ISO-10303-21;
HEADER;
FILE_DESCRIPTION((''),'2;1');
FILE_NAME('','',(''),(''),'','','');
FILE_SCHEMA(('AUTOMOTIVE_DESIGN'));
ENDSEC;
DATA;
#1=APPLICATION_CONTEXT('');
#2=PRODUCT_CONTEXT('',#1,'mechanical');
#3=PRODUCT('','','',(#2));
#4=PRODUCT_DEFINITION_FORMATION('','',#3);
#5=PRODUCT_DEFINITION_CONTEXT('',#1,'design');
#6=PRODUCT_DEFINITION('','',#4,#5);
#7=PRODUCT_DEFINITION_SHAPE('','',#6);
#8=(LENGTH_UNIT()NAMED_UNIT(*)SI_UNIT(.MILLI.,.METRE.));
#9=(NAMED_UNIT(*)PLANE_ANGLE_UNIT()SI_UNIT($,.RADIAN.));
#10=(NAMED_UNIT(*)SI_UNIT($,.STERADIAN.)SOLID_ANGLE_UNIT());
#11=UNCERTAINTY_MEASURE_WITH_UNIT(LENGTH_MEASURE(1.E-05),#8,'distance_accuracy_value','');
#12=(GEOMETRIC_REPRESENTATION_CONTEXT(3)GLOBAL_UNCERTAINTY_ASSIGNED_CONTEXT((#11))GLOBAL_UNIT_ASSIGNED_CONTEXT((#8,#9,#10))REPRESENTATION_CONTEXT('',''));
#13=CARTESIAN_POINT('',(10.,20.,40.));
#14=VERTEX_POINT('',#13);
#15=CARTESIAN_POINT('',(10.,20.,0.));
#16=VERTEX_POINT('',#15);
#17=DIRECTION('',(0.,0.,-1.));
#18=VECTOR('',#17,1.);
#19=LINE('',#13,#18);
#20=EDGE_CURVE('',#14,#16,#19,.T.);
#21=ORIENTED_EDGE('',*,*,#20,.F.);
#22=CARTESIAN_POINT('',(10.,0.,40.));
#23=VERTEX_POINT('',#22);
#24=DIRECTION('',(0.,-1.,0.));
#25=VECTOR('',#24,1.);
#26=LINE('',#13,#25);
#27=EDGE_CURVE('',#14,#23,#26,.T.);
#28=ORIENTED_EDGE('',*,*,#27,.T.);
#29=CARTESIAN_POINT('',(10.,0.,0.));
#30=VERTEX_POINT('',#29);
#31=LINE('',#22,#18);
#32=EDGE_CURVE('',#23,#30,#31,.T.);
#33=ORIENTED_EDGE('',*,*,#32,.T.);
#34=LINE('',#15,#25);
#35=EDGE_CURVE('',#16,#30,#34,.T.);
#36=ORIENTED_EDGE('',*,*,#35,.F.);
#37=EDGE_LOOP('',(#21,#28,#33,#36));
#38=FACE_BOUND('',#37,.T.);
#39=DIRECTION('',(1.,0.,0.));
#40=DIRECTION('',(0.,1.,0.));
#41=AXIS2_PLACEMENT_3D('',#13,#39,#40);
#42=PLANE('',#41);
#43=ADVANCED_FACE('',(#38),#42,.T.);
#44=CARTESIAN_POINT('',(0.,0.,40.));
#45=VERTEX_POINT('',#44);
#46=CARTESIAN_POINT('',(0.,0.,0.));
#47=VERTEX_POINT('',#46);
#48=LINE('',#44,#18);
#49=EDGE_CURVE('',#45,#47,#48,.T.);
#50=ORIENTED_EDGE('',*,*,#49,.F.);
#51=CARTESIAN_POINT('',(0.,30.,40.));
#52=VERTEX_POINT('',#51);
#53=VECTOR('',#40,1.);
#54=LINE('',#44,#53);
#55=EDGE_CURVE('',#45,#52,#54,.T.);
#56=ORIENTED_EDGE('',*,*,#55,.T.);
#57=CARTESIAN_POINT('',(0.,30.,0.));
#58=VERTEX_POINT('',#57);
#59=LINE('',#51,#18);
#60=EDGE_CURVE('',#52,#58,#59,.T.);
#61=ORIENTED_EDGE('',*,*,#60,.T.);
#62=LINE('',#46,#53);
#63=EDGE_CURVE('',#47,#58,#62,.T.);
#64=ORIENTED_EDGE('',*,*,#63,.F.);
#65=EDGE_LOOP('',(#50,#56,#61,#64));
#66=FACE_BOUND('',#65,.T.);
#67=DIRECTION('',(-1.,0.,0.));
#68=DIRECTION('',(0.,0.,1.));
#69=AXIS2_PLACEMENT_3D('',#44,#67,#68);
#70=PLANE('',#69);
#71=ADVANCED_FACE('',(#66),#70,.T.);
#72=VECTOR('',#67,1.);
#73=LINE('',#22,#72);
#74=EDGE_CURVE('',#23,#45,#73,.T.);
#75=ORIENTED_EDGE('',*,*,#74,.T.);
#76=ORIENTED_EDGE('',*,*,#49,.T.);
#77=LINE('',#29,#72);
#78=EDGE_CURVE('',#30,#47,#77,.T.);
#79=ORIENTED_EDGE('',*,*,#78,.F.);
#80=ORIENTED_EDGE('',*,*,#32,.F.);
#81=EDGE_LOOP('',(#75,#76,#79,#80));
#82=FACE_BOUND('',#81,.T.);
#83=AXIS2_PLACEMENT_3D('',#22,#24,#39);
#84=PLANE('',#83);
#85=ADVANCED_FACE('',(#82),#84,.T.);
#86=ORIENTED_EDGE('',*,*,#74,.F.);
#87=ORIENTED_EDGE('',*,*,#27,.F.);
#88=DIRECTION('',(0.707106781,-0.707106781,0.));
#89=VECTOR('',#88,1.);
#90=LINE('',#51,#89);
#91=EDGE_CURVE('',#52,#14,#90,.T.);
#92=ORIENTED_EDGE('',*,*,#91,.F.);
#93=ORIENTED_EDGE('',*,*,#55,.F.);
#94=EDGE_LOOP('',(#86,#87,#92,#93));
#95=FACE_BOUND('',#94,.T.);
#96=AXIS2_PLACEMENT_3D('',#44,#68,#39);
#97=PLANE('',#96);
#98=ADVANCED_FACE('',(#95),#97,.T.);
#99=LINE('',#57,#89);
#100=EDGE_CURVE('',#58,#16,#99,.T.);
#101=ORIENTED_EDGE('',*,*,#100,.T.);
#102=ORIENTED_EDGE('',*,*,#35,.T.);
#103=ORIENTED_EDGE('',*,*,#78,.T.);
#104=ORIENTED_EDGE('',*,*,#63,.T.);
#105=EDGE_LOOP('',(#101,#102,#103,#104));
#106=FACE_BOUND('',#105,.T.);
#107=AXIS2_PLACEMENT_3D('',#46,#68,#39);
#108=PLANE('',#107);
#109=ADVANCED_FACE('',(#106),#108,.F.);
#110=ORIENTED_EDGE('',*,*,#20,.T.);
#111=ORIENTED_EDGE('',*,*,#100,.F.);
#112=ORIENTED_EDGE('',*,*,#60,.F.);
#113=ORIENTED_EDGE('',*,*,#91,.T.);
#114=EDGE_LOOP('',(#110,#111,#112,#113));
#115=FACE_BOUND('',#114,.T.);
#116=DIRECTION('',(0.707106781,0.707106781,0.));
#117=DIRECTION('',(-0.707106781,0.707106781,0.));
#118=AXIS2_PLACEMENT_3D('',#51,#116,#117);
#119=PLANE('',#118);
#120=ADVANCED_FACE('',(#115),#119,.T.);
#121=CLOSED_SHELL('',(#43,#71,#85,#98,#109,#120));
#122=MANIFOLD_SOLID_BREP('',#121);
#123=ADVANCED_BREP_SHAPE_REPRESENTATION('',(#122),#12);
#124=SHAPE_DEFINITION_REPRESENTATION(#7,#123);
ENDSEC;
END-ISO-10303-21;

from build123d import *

# Parameters (mm, degrees)
BOSS_EXTRUDE1_DEPTH = 40


with BuildPart() as part:
    # Sketch3 → Boss-Extrude1 (new body)
    with BuildSketch(Plane.XY):
        Polygon((0, 0), (0, 30), (10, 20), (10, 0), align=None)
    extrude(amount=BOSS_EXTRUDE1_DEPTH)


solid = part.part
